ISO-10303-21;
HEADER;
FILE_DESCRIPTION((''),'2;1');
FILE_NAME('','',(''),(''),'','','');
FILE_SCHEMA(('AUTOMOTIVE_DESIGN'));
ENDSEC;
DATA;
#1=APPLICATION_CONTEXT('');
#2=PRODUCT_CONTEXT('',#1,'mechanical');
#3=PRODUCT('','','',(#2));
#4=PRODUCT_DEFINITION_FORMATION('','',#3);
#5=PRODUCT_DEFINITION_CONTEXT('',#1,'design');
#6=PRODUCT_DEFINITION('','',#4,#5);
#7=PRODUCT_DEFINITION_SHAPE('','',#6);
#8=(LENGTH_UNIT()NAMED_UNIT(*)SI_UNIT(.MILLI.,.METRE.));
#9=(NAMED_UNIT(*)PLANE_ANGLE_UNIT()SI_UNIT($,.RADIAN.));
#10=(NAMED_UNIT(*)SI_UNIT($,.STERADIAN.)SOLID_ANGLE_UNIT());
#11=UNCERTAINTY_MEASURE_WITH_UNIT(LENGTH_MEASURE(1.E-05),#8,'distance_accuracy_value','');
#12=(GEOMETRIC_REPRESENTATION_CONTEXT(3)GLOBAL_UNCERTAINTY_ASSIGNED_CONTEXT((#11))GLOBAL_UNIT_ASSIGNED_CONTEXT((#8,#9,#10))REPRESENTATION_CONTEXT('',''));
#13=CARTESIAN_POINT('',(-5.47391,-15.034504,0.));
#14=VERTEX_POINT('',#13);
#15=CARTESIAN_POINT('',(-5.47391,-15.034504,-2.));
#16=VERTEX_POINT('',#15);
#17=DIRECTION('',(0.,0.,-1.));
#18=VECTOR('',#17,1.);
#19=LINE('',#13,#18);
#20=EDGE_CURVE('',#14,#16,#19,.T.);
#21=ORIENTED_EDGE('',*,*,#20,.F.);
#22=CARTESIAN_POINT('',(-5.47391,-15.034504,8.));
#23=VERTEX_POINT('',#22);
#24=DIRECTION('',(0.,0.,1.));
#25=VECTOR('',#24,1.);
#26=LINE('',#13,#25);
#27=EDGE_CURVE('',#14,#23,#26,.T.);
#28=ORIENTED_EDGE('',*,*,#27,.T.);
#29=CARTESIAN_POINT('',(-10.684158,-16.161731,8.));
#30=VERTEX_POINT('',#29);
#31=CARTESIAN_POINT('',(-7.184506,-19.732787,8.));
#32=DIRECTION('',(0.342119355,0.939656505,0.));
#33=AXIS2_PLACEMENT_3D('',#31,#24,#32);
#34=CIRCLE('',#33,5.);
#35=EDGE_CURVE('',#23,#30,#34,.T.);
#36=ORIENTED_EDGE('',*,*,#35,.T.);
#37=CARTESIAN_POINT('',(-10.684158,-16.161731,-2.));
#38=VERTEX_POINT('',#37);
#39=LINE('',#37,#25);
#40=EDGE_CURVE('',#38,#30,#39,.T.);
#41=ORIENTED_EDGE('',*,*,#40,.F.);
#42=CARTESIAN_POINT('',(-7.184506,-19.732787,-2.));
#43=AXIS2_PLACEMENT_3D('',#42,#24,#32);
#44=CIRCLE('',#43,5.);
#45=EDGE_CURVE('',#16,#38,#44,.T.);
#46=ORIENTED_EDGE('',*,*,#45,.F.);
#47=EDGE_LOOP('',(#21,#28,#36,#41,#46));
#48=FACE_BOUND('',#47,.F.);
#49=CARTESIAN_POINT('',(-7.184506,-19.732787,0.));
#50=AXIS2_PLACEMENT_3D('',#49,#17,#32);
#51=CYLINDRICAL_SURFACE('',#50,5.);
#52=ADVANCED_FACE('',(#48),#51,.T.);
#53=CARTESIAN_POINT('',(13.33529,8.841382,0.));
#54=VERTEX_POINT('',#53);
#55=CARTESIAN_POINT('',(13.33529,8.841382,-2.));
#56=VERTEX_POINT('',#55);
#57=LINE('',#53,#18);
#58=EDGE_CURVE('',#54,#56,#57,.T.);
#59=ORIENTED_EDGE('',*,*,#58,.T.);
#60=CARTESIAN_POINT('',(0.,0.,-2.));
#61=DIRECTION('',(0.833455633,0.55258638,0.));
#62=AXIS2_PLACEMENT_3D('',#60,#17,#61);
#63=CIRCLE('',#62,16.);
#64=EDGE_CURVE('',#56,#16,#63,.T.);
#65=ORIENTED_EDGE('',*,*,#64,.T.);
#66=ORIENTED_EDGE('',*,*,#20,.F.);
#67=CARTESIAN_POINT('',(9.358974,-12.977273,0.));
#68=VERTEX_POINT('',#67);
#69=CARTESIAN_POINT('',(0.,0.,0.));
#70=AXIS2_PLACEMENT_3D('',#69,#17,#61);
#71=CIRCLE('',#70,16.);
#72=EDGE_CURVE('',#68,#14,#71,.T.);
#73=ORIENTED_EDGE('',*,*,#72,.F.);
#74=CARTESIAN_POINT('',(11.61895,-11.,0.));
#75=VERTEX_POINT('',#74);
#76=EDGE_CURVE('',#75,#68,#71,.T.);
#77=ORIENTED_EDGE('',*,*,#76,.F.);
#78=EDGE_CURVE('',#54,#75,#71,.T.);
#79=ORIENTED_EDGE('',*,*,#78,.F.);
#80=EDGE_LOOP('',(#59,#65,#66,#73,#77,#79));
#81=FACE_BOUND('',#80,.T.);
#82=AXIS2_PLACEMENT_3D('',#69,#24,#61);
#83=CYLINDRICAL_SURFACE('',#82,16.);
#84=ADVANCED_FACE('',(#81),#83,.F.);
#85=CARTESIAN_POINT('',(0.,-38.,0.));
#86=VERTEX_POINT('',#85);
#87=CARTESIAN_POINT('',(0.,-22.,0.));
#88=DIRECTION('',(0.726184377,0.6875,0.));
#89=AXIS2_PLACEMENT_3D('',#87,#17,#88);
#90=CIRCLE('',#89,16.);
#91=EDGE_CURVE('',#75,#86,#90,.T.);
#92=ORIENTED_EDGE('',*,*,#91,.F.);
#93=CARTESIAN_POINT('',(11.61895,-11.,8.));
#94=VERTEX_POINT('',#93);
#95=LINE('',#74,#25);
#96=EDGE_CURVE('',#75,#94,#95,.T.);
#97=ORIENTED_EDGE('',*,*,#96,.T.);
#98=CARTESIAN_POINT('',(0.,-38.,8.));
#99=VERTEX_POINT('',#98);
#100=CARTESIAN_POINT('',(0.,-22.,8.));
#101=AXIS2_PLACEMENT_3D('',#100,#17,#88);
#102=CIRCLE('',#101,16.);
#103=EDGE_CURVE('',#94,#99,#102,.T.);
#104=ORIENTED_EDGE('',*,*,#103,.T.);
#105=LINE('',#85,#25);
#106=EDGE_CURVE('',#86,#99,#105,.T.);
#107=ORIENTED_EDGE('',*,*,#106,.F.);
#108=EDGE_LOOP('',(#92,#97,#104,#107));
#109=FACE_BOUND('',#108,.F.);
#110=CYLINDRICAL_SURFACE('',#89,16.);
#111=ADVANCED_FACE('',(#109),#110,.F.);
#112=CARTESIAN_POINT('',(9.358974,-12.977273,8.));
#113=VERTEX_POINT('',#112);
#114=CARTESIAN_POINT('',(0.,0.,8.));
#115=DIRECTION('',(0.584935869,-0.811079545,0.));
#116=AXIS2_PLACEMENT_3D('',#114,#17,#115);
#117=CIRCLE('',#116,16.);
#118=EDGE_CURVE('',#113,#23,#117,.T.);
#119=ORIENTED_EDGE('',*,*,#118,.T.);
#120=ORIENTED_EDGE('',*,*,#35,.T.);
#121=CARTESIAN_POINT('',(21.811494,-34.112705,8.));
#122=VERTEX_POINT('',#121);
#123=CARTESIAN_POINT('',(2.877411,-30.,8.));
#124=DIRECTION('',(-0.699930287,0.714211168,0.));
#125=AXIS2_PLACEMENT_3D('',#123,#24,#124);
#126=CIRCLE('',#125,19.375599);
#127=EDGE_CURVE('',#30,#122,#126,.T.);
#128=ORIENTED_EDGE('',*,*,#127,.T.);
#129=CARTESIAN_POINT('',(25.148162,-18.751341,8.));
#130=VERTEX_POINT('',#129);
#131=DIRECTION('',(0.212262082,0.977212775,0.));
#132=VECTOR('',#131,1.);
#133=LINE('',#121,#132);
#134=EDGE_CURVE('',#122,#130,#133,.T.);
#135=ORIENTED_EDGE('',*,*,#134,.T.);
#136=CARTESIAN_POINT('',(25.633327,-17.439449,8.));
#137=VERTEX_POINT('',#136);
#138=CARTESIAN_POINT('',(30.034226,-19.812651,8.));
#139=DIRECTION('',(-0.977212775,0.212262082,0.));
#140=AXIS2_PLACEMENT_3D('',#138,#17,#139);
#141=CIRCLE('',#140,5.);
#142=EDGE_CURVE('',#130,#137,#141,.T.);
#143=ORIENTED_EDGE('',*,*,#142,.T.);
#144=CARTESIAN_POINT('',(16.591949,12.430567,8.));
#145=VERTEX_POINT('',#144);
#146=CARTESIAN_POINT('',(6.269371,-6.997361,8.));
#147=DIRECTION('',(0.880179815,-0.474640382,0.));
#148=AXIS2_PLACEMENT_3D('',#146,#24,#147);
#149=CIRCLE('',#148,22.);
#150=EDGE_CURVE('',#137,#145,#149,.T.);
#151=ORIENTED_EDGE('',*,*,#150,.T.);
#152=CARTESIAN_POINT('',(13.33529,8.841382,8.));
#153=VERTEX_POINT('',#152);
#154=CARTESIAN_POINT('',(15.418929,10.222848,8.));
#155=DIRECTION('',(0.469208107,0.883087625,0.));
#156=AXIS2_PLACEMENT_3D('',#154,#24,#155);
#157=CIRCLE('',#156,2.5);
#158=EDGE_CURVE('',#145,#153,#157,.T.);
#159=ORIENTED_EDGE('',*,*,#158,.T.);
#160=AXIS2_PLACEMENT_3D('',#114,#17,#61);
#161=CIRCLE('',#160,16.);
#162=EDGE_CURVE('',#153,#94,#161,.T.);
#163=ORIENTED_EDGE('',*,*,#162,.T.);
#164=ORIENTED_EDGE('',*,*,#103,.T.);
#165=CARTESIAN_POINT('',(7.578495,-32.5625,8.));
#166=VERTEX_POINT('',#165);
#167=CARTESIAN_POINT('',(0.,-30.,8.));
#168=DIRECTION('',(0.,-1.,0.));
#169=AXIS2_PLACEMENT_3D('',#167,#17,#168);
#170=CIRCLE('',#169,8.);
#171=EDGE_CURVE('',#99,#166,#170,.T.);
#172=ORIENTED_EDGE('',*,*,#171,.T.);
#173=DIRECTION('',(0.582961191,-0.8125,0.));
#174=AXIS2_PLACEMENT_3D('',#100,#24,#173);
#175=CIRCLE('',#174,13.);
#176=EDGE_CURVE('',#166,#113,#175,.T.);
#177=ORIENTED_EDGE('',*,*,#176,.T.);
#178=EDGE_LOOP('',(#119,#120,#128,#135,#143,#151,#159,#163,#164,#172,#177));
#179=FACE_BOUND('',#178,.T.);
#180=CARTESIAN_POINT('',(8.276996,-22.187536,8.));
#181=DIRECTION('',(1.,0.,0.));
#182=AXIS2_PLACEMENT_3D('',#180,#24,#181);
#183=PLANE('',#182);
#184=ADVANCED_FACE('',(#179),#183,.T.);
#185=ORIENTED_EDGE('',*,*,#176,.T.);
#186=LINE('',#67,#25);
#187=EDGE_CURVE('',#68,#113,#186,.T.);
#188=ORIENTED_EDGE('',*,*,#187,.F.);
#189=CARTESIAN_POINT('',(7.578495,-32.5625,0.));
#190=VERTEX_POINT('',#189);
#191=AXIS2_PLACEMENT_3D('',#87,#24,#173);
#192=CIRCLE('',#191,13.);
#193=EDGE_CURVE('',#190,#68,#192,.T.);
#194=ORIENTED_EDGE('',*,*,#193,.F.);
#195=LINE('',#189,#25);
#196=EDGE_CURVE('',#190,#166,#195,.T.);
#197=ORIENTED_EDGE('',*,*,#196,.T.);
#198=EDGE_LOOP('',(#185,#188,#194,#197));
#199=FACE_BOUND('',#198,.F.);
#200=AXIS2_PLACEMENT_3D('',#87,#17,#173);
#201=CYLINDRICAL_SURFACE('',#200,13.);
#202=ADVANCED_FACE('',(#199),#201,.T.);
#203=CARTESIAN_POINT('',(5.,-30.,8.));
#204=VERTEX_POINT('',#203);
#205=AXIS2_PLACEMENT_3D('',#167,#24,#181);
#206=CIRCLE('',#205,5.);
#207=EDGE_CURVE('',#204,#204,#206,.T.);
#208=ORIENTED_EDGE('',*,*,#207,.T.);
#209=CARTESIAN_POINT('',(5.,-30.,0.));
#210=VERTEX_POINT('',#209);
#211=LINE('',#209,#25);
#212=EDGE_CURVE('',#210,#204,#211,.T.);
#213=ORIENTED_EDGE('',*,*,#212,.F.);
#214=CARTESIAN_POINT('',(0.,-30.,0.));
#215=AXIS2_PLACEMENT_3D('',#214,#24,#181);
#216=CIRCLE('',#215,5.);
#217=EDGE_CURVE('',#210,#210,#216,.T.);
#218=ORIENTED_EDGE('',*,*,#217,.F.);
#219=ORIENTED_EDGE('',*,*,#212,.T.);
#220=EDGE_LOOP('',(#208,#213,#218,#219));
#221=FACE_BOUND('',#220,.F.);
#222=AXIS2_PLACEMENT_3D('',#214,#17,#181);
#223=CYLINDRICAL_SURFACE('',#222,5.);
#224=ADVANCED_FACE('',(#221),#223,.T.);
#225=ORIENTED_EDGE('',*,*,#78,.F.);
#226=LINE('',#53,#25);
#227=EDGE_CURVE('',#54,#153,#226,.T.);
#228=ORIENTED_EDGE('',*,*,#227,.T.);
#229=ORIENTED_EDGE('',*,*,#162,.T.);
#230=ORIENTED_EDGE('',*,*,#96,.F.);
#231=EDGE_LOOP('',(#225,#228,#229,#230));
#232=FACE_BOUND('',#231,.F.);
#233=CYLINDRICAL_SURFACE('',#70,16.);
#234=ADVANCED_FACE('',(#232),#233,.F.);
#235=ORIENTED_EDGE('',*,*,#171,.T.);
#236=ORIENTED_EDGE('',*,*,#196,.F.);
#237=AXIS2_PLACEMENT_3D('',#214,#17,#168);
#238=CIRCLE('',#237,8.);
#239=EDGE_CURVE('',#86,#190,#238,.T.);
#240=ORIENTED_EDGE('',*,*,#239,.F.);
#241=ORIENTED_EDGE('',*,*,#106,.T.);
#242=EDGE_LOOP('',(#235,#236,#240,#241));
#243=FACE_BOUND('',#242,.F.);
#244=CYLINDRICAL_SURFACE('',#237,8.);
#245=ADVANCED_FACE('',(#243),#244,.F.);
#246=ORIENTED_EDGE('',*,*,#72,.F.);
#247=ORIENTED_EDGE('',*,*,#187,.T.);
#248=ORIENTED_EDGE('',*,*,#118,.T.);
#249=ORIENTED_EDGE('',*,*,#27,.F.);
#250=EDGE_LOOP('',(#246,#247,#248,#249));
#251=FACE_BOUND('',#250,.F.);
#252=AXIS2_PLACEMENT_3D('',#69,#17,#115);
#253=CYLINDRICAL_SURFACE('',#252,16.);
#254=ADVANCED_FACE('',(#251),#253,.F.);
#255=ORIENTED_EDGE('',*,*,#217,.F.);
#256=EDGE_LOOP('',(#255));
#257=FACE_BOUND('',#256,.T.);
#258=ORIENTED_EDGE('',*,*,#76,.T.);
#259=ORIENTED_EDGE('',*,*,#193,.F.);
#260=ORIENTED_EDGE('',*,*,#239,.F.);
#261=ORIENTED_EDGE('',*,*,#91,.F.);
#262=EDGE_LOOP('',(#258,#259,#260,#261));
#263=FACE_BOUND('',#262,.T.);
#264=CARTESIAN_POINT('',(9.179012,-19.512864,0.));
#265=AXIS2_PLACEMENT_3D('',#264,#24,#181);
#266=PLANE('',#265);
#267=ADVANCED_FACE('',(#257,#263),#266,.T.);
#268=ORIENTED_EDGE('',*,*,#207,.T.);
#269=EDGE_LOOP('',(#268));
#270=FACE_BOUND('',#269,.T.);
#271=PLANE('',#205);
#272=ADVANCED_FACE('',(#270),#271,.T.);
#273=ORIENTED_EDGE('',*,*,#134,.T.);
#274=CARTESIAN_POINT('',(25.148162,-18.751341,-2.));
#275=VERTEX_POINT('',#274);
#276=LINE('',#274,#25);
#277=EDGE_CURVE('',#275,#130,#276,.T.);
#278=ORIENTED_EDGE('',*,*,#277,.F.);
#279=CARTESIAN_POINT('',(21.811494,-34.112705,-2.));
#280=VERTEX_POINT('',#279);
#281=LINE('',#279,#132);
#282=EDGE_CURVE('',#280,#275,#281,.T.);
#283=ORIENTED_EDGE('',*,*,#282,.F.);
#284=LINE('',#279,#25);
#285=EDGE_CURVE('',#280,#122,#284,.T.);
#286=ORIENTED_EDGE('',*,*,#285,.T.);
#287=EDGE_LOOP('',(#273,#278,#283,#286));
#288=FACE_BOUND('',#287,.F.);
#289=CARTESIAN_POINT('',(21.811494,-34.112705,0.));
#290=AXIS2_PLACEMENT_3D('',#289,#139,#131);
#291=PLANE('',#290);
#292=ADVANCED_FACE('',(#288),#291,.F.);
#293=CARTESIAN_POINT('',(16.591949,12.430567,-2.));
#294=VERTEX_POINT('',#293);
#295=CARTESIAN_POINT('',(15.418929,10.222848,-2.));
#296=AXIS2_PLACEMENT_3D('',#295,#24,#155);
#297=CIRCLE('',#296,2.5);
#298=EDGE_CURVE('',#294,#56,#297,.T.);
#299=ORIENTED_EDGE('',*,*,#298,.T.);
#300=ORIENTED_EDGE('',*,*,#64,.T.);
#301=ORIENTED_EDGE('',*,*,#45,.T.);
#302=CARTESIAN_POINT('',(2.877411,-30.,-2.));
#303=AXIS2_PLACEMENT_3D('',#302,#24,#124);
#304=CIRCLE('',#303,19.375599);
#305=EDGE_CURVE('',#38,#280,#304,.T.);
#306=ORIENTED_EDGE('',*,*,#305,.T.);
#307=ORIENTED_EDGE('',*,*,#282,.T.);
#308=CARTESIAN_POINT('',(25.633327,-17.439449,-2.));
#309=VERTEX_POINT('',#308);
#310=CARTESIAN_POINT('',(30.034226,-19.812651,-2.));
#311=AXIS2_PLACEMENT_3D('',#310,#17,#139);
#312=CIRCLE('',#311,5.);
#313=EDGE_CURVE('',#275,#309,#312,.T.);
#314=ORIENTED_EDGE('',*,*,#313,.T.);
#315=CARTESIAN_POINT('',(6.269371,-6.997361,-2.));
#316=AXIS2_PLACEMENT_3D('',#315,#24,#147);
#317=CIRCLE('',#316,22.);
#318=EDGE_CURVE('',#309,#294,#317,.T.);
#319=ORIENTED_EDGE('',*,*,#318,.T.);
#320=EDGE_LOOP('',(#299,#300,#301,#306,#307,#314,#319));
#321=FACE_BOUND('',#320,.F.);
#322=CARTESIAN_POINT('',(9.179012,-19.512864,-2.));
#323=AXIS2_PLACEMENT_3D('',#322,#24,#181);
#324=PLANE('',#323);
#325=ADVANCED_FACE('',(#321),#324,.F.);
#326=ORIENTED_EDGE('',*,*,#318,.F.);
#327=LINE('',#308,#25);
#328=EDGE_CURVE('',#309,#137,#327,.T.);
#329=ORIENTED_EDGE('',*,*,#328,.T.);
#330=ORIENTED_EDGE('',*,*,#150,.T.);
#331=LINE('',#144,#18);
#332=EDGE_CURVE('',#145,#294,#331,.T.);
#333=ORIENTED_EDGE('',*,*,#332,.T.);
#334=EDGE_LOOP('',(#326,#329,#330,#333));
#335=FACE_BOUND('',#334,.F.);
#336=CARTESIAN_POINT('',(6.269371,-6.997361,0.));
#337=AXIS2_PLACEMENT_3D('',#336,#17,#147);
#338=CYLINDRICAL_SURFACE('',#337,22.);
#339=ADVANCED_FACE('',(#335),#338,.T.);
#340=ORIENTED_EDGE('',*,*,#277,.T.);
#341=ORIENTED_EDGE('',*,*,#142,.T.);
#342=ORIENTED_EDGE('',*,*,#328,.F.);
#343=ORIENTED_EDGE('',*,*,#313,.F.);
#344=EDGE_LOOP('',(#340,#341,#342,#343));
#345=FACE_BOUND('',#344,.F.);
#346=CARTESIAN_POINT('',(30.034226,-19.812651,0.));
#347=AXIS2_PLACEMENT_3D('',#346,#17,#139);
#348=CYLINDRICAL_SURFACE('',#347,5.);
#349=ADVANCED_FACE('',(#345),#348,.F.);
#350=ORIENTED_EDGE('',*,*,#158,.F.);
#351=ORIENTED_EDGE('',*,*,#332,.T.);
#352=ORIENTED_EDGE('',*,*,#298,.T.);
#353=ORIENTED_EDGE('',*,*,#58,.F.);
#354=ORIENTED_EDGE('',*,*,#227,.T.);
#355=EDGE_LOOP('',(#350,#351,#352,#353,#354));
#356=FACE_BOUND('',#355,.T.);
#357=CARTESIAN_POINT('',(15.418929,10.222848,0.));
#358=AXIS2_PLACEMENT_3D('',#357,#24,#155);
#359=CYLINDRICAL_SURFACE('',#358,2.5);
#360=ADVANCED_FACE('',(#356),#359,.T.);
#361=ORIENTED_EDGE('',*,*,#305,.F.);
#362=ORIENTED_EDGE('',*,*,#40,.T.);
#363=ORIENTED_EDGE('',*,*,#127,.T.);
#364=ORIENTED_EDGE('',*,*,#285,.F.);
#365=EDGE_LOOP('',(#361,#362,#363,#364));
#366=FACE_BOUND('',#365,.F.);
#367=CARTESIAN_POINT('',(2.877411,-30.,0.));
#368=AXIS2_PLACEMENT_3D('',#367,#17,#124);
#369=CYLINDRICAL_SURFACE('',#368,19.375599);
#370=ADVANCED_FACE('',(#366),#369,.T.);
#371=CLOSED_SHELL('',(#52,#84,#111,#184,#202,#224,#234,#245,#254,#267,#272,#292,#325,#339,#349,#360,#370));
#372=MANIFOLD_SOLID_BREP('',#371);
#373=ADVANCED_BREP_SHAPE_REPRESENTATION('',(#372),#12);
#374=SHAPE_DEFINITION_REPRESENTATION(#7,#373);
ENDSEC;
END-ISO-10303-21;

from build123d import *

# Parameters (mm, degrees)
F2_DEPTH = 2
F0_R     = 5
F3_DEPTH = 8


with BuildPart() as f2:
    # F1 (on Top) → F2 (new body)
    with BuildSketch(Plane.XY):
        with BuildLine():
            ThreePointArc((13.3352901354, 8.8413820755), (12.5684052501, -9.9012721137), (-5.473909682, -15.0345040754))
            ThreePointArc((-5.473909682, -15.0345040754), (-8.2417855801, -14.8458488198), (-10.6841578939, -16.1617307572))
            ThreePointArc((-10.6841578939, -16.1617307572), (-6.49143908, -46.9599083827), (21.8114936554, -34.112705003))
            Line((21.8114936554, -34.112705003), (25.1481622756, -18.7513405658))
            ThreePointArc((25.1481622756, -18.7513405658), (25.3446435428, -18.0783456566), (25.6333270757, -17.4394490656))
            ThreePointArc((25.6333270757, -17.4394490656), (27.3258914034, -0.6237467424), (16.5919494859, 12.4305670861))
            ThreePointArc((16.5919494859, 12.4305670861), (13.5674787289, 11.902767988), (13.3352901354, 8.8413820755))
        make_face()
    extrude(amount=-F2_DEPTH)

    # F0 (on Top) → F3 (join)
    with BuildSketch(Plane.XY):
        with BuildLine():
            ThreePointArc((9.3589739054, -12.9772727273), (2.1980630587, -15.8482970312), (-5.473909682, -15.0345040754))
            ThreePointArc((-5.473909682, -15.0345040754), (-8.2417855801, -14.8458488198), (-10.6841578939, -16.1617307572))
            ThreePointArc((-10.6841578939, -16.1617307572), (-6.49143908, -46.9599083827), (21.8114936554, -34.112705003))
            Line((21.8114936554, -34.112705003), (25.1481622756, -18.7513405658))
            ThreePointArc((25.1481622756, -18.7513405658), (25.3446435428, -18.0783456566), (25.6333270757, -17.4394490656))
            ThreePointArc((25.6333270757, -17.4394490656), (27.3258914034, -0.6237467424), (16.5919494859, 12.4305670861))
            ThreePointArc((16.5919494859, 12.4305670861), (13.5674787289, 11.902767988), (13.3352901354, 8.8413820755))
            ThreePointArc((13.3352901354, 8.8413820755), (15.9404716471, -1.3788994408), (11.6189500386, -11))
            ThreePointArc((11.6189500386, -11), (14.6969384567, -28.3245553203), (0, -38))
            ThreePointArc((0, -38), (-4.6636895265, -23.5), (7.5784954806, -32.5625))
            ThreePointArc((7.5784954806, -32.5625), (12.9466114923, -23.1769668084), (9.3589739054, -12.9772727273))
        make_face()
        with Locations((0, -30)):
            Circle(F0_R)
    extrude(amount=F3_DEPTH)


solid = f2.part
